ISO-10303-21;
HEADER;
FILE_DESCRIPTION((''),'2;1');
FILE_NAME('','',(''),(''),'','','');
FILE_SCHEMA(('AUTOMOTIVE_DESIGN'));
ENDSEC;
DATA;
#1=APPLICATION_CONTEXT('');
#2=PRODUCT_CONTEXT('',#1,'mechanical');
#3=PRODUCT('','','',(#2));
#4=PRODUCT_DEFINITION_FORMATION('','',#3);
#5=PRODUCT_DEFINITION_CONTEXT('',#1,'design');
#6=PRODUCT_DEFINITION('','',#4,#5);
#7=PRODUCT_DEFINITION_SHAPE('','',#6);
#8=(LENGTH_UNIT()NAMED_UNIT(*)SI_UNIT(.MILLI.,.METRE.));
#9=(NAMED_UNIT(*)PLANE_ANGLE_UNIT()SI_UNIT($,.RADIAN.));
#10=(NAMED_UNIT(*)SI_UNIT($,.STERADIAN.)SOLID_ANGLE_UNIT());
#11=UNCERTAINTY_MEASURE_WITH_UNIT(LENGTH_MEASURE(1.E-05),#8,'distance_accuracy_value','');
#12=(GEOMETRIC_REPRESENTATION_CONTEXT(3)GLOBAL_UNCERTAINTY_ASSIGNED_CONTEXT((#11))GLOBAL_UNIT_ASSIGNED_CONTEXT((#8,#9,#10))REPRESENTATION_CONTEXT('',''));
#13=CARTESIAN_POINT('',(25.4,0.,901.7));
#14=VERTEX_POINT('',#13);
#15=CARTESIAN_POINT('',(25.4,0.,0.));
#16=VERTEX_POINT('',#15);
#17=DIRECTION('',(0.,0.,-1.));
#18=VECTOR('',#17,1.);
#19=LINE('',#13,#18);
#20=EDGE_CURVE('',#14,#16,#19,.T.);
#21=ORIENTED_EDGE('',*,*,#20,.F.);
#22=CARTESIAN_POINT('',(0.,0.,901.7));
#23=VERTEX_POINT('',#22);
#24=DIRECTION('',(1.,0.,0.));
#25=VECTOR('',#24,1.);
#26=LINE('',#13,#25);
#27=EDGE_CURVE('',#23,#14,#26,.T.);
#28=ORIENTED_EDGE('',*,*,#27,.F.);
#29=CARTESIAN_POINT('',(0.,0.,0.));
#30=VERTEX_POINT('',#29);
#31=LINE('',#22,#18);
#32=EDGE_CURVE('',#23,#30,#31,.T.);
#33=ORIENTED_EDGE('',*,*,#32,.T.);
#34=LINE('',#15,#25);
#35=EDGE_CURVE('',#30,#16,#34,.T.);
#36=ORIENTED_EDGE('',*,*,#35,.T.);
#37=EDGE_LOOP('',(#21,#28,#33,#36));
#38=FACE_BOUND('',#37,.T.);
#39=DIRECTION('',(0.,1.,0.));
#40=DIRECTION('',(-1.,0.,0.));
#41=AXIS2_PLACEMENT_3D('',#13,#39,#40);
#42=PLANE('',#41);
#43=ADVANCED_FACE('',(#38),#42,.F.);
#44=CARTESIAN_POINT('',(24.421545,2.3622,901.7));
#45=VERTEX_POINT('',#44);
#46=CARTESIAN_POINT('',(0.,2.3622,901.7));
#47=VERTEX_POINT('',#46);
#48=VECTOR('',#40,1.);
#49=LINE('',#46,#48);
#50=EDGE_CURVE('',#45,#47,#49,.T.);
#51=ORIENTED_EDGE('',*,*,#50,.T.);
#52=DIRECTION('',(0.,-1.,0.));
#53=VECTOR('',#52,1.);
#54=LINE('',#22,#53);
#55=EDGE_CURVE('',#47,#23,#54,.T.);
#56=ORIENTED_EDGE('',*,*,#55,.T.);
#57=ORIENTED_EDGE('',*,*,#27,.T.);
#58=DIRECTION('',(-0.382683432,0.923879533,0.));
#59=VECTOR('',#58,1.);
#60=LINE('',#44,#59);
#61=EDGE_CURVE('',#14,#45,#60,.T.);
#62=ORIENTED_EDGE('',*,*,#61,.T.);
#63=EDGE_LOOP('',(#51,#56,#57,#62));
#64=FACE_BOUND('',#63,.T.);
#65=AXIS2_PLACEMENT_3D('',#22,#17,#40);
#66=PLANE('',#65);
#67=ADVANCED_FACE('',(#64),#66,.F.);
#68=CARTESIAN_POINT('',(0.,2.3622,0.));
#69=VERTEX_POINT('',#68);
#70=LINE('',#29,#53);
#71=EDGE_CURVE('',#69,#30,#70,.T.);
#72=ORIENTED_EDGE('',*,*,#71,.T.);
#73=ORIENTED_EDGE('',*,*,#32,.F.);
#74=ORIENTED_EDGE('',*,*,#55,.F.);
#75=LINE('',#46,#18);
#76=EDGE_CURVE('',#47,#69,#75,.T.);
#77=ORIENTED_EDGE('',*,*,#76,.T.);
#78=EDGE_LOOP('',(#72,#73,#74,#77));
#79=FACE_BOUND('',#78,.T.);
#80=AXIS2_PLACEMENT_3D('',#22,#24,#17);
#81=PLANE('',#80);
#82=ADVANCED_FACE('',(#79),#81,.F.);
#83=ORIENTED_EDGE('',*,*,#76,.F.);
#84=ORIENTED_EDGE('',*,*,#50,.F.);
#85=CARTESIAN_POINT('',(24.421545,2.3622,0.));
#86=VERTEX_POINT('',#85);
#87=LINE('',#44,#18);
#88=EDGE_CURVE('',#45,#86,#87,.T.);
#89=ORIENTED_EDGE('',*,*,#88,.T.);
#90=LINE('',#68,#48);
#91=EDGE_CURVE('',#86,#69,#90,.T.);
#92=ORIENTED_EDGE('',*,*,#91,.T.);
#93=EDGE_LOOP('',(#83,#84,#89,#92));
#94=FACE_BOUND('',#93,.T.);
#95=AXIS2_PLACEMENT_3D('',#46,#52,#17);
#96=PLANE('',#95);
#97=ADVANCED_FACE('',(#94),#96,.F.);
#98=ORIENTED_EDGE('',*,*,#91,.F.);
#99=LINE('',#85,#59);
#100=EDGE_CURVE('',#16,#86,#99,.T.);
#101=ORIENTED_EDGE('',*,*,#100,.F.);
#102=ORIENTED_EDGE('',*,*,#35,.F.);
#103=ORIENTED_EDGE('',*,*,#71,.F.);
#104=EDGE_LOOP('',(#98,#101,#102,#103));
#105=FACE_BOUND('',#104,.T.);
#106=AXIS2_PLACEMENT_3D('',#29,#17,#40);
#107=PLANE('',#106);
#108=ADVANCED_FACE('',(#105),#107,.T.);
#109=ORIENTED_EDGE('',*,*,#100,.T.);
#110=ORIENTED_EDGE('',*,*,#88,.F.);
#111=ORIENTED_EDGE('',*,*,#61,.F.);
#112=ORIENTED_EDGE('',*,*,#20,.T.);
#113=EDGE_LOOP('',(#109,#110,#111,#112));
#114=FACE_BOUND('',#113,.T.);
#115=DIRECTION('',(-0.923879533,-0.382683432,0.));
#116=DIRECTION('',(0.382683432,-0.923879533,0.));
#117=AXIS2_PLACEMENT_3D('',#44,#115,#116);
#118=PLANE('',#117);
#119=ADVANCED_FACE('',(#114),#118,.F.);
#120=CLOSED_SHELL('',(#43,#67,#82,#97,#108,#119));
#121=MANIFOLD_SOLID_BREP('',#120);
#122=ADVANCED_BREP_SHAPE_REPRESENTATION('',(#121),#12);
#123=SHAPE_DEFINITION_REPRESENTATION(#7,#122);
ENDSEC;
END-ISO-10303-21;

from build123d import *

# Parameters (mm, degrees)
BOSS_EXTRUDE1_DEPTH = 901.7


with BuildPart() as part:
    # Sketch1 → Boss-Extrude1 (new body)
    with BuildSketch(Plane.XY):
        Polygon((0, 0), (0, 2.3622), (24.421544723, 2.3622), (25.4, 0), align=None)
    extrude(amount=BOSS_EXTRUDE1_DEPTH)


solid = part.part
